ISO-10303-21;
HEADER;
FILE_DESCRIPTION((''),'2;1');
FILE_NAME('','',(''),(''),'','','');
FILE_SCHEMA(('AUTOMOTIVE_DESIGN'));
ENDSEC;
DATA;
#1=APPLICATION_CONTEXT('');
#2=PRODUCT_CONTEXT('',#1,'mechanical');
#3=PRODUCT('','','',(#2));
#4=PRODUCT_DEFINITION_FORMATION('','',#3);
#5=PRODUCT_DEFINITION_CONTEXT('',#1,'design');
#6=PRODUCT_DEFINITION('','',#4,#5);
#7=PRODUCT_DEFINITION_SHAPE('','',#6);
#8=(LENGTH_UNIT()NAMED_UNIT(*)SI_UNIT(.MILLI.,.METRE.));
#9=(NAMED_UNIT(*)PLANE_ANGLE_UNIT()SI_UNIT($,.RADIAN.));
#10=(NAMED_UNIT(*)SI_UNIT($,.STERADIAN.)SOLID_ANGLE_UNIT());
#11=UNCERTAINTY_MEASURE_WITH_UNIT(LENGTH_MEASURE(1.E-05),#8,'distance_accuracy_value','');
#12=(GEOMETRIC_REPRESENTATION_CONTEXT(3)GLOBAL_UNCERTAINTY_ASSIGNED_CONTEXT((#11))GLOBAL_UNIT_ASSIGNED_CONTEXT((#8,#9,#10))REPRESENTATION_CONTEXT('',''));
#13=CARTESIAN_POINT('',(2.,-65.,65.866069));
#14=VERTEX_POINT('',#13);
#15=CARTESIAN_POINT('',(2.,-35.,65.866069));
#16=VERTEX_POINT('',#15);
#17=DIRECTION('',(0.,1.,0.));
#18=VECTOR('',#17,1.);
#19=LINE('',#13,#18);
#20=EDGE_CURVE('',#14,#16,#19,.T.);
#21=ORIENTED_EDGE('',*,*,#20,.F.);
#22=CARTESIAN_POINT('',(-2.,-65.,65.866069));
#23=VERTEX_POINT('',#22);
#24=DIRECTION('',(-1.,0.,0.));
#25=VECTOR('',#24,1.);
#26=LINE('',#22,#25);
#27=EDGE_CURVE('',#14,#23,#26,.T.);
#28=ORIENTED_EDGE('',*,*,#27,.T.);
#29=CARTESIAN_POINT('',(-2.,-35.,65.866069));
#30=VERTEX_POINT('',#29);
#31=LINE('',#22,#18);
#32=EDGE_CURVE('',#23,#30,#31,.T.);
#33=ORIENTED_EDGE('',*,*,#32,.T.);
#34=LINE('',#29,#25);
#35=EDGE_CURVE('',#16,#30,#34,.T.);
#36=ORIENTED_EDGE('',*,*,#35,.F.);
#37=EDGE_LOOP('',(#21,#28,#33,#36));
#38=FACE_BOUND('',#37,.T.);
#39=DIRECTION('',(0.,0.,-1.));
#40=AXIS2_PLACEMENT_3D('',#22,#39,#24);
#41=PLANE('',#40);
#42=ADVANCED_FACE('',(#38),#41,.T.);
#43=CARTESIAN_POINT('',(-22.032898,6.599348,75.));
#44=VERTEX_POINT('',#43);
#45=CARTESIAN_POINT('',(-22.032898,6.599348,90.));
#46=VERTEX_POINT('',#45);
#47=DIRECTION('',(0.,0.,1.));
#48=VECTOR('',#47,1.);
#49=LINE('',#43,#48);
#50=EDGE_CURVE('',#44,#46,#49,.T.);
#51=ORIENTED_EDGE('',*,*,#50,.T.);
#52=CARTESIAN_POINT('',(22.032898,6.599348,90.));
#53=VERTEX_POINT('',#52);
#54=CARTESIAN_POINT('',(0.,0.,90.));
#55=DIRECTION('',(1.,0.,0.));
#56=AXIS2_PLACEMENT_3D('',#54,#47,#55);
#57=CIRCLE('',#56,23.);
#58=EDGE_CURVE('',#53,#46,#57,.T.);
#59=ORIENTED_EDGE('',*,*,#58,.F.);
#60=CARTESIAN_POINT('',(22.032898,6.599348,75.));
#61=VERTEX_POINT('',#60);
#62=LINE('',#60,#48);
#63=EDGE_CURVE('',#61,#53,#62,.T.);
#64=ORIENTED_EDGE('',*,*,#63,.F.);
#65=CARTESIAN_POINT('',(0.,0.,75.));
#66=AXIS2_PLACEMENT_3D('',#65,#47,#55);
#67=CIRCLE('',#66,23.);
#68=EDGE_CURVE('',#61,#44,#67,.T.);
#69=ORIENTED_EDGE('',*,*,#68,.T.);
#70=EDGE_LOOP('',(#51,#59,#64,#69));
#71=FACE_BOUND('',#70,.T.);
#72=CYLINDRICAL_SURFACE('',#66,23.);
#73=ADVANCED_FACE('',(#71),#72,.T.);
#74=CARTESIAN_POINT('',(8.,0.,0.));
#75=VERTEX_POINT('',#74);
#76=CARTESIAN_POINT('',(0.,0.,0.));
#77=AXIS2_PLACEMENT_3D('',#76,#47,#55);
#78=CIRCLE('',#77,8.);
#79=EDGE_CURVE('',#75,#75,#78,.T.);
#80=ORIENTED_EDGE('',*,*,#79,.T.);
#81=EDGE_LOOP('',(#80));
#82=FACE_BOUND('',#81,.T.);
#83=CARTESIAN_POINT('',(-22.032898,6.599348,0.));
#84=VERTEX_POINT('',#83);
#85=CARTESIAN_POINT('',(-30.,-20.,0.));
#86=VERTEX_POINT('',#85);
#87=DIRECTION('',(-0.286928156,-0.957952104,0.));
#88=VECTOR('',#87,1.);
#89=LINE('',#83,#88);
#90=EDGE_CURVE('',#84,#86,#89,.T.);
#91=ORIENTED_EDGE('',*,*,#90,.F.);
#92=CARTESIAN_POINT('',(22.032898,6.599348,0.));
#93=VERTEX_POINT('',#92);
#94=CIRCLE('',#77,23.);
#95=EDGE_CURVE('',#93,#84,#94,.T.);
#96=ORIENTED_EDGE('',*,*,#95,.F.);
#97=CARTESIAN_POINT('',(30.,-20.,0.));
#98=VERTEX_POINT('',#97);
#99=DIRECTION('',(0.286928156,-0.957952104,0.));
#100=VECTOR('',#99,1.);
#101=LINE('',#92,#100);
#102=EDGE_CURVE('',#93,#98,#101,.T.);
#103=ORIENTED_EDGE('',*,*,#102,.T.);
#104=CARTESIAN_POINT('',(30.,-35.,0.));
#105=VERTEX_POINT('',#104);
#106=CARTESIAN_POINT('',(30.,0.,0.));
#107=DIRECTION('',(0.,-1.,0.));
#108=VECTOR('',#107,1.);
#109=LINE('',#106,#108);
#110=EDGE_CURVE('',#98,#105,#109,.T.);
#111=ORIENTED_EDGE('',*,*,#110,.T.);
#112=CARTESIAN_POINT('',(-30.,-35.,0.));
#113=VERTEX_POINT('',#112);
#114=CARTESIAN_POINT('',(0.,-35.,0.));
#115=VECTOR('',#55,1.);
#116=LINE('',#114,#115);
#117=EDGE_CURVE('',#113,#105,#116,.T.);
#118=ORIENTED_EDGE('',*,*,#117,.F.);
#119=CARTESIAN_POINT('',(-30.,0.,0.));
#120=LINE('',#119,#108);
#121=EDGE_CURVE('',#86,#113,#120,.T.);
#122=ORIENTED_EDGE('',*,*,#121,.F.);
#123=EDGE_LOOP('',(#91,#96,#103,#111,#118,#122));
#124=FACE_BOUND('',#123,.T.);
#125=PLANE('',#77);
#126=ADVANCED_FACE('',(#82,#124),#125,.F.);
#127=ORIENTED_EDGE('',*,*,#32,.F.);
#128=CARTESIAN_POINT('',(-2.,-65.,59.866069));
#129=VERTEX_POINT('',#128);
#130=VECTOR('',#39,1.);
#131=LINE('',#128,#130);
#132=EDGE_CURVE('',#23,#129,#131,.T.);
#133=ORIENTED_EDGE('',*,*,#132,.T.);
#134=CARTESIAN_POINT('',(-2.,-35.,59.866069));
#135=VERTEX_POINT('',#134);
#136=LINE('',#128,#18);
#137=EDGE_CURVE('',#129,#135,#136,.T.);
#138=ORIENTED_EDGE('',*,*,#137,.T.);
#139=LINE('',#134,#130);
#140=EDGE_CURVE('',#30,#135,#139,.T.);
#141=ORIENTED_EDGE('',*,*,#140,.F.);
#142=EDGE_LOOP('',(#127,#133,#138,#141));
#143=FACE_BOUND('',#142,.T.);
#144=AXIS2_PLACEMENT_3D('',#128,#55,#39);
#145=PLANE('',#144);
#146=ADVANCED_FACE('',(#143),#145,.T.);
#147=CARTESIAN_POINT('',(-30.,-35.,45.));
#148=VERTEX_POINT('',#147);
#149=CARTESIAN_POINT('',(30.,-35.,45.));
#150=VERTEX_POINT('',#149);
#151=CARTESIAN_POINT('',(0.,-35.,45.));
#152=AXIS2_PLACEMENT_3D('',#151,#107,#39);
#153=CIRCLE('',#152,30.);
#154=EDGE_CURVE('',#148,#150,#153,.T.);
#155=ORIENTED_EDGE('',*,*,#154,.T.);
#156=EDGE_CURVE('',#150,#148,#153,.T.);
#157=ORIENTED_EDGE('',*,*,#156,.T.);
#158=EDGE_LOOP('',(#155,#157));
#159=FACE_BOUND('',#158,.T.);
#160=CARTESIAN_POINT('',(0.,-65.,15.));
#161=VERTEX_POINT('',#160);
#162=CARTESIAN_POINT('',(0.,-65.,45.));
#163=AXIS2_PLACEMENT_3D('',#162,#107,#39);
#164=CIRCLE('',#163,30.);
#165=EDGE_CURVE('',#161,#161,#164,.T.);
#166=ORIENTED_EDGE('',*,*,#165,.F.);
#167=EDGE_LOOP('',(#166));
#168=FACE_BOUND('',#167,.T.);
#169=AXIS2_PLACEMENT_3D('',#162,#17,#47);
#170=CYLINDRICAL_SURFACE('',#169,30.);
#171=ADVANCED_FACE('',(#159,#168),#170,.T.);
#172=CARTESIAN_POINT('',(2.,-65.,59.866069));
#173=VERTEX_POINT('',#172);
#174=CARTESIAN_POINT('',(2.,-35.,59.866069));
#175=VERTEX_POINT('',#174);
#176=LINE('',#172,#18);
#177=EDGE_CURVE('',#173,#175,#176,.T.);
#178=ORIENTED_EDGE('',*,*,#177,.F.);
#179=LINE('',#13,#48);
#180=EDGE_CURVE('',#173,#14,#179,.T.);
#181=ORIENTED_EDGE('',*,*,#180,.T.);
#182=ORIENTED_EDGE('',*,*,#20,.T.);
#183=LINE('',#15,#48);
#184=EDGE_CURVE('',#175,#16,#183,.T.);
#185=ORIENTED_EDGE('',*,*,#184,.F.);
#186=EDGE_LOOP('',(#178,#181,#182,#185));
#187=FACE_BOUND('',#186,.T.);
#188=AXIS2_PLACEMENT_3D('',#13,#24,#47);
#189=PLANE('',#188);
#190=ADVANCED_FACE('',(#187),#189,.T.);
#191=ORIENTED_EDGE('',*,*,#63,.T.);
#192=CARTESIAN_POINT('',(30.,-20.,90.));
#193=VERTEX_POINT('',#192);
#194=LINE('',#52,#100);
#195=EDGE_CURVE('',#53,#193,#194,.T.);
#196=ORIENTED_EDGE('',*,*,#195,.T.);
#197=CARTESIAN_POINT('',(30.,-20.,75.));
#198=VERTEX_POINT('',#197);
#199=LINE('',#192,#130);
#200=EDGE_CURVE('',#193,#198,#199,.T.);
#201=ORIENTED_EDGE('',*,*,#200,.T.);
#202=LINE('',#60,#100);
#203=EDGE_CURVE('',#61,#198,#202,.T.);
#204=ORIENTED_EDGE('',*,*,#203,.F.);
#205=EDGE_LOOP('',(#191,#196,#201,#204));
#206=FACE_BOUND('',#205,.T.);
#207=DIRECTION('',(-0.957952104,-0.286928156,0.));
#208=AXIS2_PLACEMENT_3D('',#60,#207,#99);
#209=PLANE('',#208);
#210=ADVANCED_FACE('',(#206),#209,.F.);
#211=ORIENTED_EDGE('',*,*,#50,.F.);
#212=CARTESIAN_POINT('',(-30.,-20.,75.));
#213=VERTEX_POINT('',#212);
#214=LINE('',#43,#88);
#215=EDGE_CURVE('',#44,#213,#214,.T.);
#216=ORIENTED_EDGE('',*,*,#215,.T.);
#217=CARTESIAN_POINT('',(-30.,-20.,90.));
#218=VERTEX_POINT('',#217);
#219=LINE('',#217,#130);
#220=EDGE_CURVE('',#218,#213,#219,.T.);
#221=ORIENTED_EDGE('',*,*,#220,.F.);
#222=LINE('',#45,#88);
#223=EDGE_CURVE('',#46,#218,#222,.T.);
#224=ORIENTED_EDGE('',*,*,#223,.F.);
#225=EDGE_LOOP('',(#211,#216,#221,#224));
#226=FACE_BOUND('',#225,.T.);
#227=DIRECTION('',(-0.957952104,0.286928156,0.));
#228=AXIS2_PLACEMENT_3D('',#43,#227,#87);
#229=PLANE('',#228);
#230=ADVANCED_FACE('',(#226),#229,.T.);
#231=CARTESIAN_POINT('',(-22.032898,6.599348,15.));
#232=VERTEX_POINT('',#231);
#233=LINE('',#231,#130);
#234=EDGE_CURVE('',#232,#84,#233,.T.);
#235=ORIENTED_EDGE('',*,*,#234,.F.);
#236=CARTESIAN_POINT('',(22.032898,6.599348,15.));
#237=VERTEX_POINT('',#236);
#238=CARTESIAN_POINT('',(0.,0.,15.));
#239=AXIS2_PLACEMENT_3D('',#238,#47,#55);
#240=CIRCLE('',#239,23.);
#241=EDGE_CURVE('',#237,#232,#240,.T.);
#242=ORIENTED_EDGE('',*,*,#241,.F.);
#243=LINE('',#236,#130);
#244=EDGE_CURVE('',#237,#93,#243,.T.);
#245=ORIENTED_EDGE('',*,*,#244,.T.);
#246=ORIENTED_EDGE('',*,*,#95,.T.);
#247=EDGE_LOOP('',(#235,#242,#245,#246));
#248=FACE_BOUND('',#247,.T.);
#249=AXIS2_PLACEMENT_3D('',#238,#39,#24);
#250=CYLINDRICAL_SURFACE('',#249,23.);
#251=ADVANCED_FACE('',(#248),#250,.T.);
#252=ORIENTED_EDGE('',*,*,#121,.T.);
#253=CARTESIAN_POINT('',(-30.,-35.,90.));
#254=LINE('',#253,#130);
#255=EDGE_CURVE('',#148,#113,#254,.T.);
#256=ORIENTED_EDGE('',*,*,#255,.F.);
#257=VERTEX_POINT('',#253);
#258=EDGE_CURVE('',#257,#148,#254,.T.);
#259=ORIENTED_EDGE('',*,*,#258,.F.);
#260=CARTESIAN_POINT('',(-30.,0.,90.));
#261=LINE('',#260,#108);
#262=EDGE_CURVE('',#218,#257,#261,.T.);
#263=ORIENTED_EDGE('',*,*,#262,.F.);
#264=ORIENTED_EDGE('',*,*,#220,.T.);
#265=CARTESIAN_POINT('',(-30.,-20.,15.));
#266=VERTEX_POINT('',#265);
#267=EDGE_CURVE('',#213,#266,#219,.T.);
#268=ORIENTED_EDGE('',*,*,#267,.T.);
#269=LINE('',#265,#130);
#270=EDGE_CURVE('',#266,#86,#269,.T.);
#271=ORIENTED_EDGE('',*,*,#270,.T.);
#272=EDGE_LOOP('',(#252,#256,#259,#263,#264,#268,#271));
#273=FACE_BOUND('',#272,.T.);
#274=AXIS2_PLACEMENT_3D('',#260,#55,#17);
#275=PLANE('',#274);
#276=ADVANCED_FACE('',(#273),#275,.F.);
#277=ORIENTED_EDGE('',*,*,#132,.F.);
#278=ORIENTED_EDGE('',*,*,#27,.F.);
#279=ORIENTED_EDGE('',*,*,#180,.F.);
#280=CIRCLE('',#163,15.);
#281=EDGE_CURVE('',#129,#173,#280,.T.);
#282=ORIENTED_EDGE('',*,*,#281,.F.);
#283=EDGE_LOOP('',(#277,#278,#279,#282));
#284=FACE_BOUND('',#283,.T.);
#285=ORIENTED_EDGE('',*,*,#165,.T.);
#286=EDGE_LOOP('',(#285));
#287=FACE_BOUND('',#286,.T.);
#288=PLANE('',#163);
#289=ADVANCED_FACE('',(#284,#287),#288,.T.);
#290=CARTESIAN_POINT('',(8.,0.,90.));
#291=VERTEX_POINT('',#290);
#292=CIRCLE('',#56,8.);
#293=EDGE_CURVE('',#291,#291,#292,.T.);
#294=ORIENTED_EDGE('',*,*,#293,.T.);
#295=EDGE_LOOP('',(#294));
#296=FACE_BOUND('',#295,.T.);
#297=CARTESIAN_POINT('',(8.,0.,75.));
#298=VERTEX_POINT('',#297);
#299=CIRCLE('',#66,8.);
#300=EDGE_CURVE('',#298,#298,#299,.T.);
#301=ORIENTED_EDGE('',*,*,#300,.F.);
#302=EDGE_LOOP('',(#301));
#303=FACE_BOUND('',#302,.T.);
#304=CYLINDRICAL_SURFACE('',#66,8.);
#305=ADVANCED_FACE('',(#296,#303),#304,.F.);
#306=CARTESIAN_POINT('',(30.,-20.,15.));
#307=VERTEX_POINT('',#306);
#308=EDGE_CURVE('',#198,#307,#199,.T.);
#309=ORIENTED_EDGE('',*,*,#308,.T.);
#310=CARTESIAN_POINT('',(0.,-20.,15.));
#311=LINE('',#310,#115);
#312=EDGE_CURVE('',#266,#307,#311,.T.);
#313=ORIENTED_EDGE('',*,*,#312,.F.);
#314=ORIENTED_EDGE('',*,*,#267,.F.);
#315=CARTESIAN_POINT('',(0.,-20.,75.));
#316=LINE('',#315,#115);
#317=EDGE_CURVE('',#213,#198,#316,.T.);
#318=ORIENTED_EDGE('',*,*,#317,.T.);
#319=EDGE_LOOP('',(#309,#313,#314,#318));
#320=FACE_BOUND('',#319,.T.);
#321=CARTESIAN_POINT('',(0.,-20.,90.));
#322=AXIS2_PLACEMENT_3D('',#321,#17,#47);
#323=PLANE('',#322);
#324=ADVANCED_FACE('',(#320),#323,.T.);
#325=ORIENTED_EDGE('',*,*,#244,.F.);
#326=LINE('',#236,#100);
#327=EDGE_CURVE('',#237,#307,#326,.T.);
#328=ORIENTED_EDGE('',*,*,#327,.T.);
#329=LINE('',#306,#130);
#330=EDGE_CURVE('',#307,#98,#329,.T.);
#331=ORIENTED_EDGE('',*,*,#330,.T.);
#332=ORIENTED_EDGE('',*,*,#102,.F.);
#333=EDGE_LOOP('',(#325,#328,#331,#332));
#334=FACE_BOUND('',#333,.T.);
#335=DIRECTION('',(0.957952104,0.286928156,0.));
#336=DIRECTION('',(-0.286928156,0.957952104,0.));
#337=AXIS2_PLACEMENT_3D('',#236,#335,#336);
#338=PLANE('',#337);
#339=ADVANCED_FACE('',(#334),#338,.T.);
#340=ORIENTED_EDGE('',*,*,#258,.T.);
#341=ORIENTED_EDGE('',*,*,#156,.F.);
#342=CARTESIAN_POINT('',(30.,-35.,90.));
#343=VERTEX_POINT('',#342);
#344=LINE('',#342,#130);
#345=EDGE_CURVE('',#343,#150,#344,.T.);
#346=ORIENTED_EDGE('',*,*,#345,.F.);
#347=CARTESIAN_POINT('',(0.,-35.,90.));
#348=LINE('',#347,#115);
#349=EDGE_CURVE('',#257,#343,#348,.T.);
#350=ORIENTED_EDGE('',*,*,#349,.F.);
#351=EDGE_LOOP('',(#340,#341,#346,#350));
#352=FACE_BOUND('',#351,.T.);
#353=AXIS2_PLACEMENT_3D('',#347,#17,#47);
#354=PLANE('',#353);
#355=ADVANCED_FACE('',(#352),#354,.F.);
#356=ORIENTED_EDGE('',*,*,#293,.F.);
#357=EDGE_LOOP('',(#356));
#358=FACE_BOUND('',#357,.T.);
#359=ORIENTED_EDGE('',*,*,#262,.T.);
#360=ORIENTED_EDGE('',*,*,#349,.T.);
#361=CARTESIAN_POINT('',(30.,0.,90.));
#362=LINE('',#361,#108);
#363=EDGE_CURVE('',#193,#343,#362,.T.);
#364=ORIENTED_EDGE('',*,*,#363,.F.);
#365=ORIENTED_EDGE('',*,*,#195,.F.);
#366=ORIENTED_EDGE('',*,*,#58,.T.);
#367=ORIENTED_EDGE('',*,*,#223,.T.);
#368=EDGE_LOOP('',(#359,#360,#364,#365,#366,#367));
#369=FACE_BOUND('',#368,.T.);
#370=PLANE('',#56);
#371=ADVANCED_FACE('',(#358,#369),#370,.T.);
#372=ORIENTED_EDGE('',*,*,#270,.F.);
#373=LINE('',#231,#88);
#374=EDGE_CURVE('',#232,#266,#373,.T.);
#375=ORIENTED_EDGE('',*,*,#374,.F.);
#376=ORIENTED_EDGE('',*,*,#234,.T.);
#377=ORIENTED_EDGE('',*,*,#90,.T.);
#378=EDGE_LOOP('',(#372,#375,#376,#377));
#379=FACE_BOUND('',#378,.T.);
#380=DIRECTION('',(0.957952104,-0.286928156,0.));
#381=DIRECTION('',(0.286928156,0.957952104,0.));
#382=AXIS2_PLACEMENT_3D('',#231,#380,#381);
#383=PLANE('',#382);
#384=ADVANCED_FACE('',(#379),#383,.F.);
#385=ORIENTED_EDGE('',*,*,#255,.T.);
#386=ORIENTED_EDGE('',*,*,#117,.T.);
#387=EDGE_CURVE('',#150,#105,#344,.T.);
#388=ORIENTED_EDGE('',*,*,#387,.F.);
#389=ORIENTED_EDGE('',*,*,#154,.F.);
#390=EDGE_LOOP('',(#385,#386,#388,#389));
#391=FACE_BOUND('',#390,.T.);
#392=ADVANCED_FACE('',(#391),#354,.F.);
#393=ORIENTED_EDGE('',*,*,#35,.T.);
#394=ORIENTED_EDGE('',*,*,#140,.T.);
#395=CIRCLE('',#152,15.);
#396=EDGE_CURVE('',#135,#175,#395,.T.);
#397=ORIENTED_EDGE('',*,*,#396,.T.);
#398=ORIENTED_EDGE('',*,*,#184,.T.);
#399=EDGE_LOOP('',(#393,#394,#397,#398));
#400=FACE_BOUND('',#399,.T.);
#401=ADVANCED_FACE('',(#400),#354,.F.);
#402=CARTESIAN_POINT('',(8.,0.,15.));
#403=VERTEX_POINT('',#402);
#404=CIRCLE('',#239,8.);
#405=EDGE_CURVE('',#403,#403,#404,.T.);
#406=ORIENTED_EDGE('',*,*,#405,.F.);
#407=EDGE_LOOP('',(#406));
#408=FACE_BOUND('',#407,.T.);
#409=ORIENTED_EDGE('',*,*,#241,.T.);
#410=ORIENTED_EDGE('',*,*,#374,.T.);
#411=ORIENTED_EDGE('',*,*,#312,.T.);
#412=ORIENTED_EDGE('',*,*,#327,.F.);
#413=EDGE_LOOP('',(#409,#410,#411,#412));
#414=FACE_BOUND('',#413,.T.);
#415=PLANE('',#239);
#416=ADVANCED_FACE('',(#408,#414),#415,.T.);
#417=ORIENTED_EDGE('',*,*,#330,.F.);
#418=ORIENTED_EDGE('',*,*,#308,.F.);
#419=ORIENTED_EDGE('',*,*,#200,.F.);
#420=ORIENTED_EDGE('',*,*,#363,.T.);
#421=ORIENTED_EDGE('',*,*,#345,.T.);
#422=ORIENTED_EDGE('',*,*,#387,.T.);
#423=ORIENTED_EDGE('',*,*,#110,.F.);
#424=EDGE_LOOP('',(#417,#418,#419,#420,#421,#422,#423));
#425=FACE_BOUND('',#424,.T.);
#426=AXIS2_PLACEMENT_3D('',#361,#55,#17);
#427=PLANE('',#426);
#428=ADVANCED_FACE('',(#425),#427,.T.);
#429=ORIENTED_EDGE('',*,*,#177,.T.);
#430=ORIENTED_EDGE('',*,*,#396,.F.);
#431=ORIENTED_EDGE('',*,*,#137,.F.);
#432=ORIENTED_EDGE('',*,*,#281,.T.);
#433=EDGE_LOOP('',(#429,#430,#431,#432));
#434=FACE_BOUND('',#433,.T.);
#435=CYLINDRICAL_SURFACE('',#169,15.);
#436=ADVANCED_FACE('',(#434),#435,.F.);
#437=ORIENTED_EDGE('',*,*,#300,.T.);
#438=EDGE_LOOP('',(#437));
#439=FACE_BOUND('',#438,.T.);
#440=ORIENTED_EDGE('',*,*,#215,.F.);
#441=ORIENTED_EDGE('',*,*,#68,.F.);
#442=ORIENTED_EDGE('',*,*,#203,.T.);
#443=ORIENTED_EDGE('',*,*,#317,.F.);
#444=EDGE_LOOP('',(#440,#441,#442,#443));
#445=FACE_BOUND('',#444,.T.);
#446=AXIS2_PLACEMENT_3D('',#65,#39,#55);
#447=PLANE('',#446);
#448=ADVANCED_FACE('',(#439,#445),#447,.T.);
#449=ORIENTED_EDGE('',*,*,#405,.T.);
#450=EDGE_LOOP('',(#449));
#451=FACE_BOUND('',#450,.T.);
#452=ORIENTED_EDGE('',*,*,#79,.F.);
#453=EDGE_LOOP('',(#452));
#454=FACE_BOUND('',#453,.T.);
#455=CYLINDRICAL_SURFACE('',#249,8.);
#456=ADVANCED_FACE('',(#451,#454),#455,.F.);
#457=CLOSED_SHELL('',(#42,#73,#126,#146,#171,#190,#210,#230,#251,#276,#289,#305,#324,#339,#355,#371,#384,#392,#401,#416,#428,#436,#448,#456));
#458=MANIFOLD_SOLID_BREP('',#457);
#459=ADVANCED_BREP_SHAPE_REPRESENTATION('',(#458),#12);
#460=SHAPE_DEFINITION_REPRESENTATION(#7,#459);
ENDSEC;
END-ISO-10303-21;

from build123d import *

# Parameters (mm, degrees)
SKETCH1_W           = 60
SKETCH1_H           = 15
BOSS_EXTRUDE1_DEPTH = 90
SKETCH1_3_R         = 8
BOSS_EXTRUDE2_DEPTH = 15
SKETCH2_R           = 30
BOSS_EXTRUDE3_DEPTH = 30


with BuildPart() as part:
    # Sketch1 → Boss-Extrude1 (new body)
    with BuildSketch(Plane.XY):
        with Locations((0, -27.5)):
            Rectangle(SKETCH1_W, SKETCH1_H)
    extrude(amount=BOSS_EXTRUDE1_DEPTH)

    # Sketch1<3> → Boss-Extrude2 (add)
    with BuildSketch(Plane.XY):
        with BuildLine():
            ThreePointArc((22.03289839, 6.599347585), (0, 23), (-22.03289839, 6.599347585))
            Line((-22.03289839, 6.599347585), (-30, -20))
            Line((-30, -20), (30, -20))
            Line((30, -20), (22.03289839, 6.599347585))
        make_face()
        Circle(SKETCH1_3_R, mode=Mode.SUBTRACT)
    boss_extrude2 = extrude(amount=BOSS_EXTRUDE2_DEPTH)

    # Mirror1: Boss-Extrude2 across plane
    add(boss_extrude2.mirror(Plane.XY.offset(45)))

    # Sketch2 → Boss-Extrude3 (add)
    with BuildSketch(Plane.XZ.offset(35)):
        with Locations((0, 45)):
            Circle(SKETCH2_R)
        with BuildLine():
            Line((-2, 59.866068747), (-2, 65.866068747))
            Line((-2, 65.866068747), (2, 65.866068747))
            Line((2, 65.866068747), (2, 59.866068747))
            ThreePointArc((2, 59.866068747), (0, 30), (-2, 59.866068747))
        make_face(mode=Mode.SUBTRACT)
    extrude(amount=BOSS_EXTRUDE3_DEPTH)


solid = part.part
